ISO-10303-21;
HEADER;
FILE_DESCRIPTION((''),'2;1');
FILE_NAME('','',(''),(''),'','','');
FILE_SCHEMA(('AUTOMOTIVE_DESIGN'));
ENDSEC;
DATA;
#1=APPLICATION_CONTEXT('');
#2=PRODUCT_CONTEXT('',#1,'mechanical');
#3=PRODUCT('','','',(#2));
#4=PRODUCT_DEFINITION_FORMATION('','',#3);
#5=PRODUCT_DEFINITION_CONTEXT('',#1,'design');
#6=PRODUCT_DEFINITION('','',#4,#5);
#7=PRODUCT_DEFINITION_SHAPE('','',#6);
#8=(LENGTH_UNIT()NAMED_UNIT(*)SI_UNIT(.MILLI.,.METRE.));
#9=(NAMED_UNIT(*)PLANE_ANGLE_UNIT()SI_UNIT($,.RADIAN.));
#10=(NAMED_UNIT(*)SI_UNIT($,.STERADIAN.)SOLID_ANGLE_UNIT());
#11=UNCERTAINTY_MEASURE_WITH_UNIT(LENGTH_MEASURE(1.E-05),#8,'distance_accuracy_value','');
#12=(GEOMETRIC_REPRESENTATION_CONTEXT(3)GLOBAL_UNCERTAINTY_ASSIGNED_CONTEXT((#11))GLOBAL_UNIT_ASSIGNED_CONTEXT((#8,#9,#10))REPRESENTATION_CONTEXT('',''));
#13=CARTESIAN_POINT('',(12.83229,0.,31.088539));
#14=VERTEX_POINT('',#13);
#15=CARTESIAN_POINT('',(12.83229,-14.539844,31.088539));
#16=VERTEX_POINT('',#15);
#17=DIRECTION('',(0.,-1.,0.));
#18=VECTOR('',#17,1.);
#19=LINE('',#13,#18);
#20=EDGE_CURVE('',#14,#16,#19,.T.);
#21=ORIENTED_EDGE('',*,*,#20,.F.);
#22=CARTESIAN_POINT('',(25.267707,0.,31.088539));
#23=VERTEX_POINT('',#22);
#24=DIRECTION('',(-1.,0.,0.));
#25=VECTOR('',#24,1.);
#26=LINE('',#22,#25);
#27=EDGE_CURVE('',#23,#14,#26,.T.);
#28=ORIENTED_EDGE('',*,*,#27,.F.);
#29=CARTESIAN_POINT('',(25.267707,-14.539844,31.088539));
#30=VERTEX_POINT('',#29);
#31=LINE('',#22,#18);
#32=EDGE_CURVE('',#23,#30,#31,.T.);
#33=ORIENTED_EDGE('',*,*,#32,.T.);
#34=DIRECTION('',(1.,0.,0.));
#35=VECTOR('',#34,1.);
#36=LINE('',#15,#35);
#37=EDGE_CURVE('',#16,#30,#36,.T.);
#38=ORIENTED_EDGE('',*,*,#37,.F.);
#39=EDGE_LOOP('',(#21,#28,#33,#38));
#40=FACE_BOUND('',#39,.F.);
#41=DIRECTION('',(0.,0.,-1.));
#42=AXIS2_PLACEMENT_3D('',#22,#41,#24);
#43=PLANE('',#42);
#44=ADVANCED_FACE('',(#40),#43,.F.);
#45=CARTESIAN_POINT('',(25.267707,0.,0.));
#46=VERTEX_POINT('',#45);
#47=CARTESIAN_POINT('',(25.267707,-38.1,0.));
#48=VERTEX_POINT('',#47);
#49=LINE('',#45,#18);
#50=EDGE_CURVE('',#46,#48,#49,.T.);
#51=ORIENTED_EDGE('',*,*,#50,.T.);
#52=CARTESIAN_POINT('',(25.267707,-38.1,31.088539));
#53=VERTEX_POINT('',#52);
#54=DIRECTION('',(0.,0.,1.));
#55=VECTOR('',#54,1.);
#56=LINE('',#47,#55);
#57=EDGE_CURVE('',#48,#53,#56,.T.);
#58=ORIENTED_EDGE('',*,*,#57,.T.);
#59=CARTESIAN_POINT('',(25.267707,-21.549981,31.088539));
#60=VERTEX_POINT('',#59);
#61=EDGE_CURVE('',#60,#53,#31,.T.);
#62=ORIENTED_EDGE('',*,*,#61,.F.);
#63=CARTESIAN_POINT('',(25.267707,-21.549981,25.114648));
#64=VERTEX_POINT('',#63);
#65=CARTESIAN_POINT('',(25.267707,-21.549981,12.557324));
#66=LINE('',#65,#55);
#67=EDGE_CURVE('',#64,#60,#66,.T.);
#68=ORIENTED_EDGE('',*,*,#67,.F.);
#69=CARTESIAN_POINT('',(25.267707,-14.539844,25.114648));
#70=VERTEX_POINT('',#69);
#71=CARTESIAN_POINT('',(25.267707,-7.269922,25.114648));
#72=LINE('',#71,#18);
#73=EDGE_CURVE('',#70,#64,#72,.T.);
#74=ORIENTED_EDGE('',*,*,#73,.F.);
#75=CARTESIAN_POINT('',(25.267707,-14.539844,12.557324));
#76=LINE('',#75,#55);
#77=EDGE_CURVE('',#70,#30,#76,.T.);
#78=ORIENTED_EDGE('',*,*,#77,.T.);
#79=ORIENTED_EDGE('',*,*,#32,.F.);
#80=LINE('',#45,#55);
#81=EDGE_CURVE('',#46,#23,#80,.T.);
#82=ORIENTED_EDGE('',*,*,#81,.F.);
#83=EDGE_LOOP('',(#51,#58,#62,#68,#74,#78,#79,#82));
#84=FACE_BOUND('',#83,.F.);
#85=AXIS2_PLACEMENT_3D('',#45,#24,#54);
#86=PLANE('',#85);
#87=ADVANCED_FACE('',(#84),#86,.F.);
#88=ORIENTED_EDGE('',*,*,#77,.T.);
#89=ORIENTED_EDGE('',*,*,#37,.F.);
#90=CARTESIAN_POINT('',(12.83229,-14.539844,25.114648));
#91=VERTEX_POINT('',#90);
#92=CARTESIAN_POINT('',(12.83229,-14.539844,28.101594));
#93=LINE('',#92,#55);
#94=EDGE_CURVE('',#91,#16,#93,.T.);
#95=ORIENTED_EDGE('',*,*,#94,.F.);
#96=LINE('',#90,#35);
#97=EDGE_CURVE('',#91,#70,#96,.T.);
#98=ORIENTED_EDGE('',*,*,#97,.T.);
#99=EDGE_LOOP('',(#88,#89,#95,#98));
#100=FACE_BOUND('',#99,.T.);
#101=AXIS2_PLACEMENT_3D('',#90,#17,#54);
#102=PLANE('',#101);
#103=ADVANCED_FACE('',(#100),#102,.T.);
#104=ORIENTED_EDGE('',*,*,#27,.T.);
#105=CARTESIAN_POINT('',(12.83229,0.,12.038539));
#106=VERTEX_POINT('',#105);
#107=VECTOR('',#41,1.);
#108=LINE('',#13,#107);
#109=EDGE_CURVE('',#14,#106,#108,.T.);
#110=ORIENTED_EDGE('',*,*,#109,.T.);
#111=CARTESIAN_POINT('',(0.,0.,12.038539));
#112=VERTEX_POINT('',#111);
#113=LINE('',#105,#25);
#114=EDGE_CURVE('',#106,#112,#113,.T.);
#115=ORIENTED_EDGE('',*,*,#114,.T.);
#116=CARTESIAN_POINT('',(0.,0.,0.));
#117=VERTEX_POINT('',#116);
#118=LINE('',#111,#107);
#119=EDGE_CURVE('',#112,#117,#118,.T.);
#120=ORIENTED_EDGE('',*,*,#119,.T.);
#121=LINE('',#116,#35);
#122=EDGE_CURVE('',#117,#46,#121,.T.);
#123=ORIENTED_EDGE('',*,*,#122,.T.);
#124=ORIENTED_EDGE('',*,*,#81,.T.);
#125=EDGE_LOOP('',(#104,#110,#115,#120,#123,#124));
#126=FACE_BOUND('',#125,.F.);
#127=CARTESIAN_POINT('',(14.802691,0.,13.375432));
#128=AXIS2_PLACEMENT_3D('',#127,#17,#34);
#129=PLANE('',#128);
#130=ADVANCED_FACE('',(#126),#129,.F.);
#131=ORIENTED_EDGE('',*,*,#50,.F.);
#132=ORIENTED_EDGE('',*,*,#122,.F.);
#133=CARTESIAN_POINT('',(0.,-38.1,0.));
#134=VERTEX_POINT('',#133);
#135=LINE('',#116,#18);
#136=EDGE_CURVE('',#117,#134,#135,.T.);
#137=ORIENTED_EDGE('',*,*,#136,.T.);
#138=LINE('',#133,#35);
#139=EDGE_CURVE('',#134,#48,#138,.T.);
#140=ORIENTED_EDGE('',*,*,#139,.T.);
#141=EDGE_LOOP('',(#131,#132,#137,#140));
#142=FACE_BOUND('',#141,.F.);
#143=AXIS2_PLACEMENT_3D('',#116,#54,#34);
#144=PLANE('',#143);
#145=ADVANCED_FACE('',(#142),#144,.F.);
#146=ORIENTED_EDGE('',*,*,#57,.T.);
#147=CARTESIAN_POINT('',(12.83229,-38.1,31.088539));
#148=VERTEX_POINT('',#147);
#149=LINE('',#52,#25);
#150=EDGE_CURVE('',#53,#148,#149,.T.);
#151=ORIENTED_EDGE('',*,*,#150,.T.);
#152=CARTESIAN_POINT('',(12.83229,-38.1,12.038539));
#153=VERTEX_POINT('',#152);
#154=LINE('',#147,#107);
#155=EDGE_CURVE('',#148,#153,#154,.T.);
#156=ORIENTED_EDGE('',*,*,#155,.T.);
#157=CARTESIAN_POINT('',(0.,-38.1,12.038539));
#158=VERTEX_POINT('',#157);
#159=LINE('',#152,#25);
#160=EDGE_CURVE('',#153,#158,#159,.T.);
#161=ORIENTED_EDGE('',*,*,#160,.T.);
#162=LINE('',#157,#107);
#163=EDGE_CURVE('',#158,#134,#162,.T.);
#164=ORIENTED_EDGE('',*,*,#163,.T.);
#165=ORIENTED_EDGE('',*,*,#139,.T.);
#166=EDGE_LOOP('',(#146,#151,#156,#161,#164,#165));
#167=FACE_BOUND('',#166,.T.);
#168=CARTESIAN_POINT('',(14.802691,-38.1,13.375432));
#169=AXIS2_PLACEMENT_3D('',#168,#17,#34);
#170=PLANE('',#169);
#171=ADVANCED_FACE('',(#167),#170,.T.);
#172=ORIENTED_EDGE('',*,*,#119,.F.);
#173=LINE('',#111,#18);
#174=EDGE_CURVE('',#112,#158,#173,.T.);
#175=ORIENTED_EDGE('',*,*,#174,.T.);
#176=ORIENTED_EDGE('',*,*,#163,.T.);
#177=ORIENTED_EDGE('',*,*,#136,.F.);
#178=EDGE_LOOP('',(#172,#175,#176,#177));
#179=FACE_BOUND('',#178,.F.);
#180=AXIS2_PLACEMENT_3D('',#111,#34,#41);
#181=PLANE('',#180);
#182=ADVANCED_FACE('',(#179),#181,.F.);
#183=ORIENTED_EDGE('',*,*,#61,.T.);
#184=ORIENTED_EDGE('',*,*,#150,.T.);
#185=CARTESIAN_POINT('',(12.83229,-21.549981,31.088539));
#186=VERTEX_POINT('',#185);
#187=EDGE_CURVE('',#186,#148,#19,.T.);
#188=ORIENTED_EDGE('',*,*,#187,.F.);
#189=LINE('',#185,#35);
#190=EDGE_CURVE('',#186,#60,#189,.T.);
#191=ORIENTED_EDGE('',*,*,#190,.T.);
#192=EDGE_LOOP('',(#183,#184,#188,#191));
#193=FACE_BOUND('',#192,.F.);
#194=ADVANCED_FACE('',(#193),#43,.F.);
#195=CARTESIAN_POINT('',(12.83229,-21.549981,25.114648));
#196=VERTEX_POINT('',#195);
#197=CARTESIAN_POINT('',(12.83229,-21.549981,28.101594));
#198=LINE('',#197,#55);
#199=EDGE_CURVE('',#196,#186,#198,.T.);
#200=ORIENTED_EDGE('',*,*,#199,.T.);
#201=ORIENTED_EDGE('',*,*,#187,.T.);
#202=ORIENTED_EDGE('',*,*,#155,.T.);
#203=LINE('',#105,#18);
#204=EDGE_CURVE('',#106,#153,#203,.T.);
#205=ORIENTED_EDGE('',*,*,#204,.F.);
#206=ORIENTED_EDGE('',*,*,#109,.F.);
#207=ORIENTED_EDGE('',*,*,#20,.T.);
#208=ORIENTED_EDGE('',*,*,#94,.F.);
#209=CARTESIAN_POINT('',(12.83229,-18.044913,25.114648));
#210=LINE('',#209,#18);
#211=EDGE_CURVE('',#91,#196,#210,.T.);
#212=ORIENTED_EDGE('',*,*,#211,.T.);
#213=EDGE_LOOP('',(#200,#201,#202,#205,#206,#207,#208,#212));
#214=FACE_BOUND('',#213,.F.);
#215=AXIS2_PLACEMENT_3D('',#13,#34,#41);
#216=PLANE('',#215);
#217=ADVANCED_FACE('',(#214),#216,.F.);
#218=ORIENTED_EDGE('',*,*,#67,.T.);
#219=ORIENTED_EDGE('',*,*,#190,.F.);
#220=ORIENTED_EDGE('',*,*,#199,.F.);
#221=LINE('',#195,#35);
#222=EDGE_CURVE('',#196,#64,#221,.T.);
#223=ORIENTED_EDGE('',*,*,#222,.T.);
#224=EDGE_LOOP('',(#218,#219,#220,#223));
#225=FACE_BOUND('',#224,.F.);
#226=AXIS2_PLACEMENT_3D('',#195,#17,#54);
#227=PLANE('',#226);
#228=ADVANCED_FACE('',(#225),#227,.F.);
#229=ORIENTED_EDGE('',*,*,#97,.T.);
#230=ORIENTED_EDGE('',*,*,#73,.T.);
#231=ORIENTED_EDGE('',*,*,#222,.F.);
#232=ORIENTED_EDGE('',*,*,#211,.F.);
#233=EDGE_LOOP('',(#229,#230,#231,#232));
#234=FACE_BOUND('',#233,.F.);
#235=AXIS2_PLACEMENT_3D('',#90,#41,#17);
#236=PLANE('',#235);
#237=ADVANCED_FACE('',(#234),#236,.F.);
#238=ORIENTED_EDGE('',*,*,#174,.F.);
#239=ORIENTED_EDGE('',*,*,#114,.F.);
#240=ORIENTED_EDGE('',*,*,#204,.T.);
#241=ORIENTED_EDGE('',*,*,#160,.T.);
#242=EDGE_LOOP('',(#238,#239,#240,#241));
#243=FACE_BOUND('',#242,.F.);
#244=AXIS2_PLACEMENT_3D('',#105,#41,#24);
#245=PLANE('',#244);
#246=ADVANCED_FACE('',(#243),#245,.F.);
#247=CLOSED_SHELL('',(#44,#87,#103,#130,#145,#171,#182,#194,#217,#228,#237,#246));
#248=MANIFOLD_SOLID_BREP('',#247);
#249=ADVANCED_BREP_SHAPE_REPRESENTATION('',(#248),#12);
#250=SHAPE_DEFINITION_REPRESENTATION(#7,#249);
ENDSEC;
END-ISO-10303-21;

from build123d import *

# Parameters (mm, degrees)
F1_DEPTH = 38.1
F3_DEPTH = 12.7
F4_W     = 7.010136731
F4_H     = 5.9738913878
F5_DEPTH = 12.7


with BuildPart() as f1:
    # F0 (on Front) → F1 (new body)
    with BuildSketch(Plane.XZ):
        Polygon((0, 12.0385394319), (0, 0), (25.2677070918, 0), (25.2677070918, 31.0885394319), (12.8322897299, 31.0885394319), (12.8322897299, 12.0385394319), align=None)
    extrude(amount=F1_DEPTH)

    # F2 (on Right) → F3 (cut)
    with BuildSketch(Plane.YZ):
        Polygon((-12.249593623, 22.1733152866), (-12.249593623, 30.8565702289), (-24.6542412788, 31.1666876078), (-24.6542412788, 22.1733152866), align=None)
    extrude(amount=-F3_DEPTH, mode=Mode.SUBTRACT)

    # F4 (on face) → F5 (cut)
    with BuildSketch(Plane(origin=(12.8322897299, 0, 0), x_dir=(0, -1, 0), z_dir=(-1, 0, 0))):
        with Locations((18.044912722, 28.101593738)):
            Rectangle(F4_W, F4_H)
    extrude(amount=-F5_DEPTH, mode=Mode.SUBTRACT)


solid = f1.part
